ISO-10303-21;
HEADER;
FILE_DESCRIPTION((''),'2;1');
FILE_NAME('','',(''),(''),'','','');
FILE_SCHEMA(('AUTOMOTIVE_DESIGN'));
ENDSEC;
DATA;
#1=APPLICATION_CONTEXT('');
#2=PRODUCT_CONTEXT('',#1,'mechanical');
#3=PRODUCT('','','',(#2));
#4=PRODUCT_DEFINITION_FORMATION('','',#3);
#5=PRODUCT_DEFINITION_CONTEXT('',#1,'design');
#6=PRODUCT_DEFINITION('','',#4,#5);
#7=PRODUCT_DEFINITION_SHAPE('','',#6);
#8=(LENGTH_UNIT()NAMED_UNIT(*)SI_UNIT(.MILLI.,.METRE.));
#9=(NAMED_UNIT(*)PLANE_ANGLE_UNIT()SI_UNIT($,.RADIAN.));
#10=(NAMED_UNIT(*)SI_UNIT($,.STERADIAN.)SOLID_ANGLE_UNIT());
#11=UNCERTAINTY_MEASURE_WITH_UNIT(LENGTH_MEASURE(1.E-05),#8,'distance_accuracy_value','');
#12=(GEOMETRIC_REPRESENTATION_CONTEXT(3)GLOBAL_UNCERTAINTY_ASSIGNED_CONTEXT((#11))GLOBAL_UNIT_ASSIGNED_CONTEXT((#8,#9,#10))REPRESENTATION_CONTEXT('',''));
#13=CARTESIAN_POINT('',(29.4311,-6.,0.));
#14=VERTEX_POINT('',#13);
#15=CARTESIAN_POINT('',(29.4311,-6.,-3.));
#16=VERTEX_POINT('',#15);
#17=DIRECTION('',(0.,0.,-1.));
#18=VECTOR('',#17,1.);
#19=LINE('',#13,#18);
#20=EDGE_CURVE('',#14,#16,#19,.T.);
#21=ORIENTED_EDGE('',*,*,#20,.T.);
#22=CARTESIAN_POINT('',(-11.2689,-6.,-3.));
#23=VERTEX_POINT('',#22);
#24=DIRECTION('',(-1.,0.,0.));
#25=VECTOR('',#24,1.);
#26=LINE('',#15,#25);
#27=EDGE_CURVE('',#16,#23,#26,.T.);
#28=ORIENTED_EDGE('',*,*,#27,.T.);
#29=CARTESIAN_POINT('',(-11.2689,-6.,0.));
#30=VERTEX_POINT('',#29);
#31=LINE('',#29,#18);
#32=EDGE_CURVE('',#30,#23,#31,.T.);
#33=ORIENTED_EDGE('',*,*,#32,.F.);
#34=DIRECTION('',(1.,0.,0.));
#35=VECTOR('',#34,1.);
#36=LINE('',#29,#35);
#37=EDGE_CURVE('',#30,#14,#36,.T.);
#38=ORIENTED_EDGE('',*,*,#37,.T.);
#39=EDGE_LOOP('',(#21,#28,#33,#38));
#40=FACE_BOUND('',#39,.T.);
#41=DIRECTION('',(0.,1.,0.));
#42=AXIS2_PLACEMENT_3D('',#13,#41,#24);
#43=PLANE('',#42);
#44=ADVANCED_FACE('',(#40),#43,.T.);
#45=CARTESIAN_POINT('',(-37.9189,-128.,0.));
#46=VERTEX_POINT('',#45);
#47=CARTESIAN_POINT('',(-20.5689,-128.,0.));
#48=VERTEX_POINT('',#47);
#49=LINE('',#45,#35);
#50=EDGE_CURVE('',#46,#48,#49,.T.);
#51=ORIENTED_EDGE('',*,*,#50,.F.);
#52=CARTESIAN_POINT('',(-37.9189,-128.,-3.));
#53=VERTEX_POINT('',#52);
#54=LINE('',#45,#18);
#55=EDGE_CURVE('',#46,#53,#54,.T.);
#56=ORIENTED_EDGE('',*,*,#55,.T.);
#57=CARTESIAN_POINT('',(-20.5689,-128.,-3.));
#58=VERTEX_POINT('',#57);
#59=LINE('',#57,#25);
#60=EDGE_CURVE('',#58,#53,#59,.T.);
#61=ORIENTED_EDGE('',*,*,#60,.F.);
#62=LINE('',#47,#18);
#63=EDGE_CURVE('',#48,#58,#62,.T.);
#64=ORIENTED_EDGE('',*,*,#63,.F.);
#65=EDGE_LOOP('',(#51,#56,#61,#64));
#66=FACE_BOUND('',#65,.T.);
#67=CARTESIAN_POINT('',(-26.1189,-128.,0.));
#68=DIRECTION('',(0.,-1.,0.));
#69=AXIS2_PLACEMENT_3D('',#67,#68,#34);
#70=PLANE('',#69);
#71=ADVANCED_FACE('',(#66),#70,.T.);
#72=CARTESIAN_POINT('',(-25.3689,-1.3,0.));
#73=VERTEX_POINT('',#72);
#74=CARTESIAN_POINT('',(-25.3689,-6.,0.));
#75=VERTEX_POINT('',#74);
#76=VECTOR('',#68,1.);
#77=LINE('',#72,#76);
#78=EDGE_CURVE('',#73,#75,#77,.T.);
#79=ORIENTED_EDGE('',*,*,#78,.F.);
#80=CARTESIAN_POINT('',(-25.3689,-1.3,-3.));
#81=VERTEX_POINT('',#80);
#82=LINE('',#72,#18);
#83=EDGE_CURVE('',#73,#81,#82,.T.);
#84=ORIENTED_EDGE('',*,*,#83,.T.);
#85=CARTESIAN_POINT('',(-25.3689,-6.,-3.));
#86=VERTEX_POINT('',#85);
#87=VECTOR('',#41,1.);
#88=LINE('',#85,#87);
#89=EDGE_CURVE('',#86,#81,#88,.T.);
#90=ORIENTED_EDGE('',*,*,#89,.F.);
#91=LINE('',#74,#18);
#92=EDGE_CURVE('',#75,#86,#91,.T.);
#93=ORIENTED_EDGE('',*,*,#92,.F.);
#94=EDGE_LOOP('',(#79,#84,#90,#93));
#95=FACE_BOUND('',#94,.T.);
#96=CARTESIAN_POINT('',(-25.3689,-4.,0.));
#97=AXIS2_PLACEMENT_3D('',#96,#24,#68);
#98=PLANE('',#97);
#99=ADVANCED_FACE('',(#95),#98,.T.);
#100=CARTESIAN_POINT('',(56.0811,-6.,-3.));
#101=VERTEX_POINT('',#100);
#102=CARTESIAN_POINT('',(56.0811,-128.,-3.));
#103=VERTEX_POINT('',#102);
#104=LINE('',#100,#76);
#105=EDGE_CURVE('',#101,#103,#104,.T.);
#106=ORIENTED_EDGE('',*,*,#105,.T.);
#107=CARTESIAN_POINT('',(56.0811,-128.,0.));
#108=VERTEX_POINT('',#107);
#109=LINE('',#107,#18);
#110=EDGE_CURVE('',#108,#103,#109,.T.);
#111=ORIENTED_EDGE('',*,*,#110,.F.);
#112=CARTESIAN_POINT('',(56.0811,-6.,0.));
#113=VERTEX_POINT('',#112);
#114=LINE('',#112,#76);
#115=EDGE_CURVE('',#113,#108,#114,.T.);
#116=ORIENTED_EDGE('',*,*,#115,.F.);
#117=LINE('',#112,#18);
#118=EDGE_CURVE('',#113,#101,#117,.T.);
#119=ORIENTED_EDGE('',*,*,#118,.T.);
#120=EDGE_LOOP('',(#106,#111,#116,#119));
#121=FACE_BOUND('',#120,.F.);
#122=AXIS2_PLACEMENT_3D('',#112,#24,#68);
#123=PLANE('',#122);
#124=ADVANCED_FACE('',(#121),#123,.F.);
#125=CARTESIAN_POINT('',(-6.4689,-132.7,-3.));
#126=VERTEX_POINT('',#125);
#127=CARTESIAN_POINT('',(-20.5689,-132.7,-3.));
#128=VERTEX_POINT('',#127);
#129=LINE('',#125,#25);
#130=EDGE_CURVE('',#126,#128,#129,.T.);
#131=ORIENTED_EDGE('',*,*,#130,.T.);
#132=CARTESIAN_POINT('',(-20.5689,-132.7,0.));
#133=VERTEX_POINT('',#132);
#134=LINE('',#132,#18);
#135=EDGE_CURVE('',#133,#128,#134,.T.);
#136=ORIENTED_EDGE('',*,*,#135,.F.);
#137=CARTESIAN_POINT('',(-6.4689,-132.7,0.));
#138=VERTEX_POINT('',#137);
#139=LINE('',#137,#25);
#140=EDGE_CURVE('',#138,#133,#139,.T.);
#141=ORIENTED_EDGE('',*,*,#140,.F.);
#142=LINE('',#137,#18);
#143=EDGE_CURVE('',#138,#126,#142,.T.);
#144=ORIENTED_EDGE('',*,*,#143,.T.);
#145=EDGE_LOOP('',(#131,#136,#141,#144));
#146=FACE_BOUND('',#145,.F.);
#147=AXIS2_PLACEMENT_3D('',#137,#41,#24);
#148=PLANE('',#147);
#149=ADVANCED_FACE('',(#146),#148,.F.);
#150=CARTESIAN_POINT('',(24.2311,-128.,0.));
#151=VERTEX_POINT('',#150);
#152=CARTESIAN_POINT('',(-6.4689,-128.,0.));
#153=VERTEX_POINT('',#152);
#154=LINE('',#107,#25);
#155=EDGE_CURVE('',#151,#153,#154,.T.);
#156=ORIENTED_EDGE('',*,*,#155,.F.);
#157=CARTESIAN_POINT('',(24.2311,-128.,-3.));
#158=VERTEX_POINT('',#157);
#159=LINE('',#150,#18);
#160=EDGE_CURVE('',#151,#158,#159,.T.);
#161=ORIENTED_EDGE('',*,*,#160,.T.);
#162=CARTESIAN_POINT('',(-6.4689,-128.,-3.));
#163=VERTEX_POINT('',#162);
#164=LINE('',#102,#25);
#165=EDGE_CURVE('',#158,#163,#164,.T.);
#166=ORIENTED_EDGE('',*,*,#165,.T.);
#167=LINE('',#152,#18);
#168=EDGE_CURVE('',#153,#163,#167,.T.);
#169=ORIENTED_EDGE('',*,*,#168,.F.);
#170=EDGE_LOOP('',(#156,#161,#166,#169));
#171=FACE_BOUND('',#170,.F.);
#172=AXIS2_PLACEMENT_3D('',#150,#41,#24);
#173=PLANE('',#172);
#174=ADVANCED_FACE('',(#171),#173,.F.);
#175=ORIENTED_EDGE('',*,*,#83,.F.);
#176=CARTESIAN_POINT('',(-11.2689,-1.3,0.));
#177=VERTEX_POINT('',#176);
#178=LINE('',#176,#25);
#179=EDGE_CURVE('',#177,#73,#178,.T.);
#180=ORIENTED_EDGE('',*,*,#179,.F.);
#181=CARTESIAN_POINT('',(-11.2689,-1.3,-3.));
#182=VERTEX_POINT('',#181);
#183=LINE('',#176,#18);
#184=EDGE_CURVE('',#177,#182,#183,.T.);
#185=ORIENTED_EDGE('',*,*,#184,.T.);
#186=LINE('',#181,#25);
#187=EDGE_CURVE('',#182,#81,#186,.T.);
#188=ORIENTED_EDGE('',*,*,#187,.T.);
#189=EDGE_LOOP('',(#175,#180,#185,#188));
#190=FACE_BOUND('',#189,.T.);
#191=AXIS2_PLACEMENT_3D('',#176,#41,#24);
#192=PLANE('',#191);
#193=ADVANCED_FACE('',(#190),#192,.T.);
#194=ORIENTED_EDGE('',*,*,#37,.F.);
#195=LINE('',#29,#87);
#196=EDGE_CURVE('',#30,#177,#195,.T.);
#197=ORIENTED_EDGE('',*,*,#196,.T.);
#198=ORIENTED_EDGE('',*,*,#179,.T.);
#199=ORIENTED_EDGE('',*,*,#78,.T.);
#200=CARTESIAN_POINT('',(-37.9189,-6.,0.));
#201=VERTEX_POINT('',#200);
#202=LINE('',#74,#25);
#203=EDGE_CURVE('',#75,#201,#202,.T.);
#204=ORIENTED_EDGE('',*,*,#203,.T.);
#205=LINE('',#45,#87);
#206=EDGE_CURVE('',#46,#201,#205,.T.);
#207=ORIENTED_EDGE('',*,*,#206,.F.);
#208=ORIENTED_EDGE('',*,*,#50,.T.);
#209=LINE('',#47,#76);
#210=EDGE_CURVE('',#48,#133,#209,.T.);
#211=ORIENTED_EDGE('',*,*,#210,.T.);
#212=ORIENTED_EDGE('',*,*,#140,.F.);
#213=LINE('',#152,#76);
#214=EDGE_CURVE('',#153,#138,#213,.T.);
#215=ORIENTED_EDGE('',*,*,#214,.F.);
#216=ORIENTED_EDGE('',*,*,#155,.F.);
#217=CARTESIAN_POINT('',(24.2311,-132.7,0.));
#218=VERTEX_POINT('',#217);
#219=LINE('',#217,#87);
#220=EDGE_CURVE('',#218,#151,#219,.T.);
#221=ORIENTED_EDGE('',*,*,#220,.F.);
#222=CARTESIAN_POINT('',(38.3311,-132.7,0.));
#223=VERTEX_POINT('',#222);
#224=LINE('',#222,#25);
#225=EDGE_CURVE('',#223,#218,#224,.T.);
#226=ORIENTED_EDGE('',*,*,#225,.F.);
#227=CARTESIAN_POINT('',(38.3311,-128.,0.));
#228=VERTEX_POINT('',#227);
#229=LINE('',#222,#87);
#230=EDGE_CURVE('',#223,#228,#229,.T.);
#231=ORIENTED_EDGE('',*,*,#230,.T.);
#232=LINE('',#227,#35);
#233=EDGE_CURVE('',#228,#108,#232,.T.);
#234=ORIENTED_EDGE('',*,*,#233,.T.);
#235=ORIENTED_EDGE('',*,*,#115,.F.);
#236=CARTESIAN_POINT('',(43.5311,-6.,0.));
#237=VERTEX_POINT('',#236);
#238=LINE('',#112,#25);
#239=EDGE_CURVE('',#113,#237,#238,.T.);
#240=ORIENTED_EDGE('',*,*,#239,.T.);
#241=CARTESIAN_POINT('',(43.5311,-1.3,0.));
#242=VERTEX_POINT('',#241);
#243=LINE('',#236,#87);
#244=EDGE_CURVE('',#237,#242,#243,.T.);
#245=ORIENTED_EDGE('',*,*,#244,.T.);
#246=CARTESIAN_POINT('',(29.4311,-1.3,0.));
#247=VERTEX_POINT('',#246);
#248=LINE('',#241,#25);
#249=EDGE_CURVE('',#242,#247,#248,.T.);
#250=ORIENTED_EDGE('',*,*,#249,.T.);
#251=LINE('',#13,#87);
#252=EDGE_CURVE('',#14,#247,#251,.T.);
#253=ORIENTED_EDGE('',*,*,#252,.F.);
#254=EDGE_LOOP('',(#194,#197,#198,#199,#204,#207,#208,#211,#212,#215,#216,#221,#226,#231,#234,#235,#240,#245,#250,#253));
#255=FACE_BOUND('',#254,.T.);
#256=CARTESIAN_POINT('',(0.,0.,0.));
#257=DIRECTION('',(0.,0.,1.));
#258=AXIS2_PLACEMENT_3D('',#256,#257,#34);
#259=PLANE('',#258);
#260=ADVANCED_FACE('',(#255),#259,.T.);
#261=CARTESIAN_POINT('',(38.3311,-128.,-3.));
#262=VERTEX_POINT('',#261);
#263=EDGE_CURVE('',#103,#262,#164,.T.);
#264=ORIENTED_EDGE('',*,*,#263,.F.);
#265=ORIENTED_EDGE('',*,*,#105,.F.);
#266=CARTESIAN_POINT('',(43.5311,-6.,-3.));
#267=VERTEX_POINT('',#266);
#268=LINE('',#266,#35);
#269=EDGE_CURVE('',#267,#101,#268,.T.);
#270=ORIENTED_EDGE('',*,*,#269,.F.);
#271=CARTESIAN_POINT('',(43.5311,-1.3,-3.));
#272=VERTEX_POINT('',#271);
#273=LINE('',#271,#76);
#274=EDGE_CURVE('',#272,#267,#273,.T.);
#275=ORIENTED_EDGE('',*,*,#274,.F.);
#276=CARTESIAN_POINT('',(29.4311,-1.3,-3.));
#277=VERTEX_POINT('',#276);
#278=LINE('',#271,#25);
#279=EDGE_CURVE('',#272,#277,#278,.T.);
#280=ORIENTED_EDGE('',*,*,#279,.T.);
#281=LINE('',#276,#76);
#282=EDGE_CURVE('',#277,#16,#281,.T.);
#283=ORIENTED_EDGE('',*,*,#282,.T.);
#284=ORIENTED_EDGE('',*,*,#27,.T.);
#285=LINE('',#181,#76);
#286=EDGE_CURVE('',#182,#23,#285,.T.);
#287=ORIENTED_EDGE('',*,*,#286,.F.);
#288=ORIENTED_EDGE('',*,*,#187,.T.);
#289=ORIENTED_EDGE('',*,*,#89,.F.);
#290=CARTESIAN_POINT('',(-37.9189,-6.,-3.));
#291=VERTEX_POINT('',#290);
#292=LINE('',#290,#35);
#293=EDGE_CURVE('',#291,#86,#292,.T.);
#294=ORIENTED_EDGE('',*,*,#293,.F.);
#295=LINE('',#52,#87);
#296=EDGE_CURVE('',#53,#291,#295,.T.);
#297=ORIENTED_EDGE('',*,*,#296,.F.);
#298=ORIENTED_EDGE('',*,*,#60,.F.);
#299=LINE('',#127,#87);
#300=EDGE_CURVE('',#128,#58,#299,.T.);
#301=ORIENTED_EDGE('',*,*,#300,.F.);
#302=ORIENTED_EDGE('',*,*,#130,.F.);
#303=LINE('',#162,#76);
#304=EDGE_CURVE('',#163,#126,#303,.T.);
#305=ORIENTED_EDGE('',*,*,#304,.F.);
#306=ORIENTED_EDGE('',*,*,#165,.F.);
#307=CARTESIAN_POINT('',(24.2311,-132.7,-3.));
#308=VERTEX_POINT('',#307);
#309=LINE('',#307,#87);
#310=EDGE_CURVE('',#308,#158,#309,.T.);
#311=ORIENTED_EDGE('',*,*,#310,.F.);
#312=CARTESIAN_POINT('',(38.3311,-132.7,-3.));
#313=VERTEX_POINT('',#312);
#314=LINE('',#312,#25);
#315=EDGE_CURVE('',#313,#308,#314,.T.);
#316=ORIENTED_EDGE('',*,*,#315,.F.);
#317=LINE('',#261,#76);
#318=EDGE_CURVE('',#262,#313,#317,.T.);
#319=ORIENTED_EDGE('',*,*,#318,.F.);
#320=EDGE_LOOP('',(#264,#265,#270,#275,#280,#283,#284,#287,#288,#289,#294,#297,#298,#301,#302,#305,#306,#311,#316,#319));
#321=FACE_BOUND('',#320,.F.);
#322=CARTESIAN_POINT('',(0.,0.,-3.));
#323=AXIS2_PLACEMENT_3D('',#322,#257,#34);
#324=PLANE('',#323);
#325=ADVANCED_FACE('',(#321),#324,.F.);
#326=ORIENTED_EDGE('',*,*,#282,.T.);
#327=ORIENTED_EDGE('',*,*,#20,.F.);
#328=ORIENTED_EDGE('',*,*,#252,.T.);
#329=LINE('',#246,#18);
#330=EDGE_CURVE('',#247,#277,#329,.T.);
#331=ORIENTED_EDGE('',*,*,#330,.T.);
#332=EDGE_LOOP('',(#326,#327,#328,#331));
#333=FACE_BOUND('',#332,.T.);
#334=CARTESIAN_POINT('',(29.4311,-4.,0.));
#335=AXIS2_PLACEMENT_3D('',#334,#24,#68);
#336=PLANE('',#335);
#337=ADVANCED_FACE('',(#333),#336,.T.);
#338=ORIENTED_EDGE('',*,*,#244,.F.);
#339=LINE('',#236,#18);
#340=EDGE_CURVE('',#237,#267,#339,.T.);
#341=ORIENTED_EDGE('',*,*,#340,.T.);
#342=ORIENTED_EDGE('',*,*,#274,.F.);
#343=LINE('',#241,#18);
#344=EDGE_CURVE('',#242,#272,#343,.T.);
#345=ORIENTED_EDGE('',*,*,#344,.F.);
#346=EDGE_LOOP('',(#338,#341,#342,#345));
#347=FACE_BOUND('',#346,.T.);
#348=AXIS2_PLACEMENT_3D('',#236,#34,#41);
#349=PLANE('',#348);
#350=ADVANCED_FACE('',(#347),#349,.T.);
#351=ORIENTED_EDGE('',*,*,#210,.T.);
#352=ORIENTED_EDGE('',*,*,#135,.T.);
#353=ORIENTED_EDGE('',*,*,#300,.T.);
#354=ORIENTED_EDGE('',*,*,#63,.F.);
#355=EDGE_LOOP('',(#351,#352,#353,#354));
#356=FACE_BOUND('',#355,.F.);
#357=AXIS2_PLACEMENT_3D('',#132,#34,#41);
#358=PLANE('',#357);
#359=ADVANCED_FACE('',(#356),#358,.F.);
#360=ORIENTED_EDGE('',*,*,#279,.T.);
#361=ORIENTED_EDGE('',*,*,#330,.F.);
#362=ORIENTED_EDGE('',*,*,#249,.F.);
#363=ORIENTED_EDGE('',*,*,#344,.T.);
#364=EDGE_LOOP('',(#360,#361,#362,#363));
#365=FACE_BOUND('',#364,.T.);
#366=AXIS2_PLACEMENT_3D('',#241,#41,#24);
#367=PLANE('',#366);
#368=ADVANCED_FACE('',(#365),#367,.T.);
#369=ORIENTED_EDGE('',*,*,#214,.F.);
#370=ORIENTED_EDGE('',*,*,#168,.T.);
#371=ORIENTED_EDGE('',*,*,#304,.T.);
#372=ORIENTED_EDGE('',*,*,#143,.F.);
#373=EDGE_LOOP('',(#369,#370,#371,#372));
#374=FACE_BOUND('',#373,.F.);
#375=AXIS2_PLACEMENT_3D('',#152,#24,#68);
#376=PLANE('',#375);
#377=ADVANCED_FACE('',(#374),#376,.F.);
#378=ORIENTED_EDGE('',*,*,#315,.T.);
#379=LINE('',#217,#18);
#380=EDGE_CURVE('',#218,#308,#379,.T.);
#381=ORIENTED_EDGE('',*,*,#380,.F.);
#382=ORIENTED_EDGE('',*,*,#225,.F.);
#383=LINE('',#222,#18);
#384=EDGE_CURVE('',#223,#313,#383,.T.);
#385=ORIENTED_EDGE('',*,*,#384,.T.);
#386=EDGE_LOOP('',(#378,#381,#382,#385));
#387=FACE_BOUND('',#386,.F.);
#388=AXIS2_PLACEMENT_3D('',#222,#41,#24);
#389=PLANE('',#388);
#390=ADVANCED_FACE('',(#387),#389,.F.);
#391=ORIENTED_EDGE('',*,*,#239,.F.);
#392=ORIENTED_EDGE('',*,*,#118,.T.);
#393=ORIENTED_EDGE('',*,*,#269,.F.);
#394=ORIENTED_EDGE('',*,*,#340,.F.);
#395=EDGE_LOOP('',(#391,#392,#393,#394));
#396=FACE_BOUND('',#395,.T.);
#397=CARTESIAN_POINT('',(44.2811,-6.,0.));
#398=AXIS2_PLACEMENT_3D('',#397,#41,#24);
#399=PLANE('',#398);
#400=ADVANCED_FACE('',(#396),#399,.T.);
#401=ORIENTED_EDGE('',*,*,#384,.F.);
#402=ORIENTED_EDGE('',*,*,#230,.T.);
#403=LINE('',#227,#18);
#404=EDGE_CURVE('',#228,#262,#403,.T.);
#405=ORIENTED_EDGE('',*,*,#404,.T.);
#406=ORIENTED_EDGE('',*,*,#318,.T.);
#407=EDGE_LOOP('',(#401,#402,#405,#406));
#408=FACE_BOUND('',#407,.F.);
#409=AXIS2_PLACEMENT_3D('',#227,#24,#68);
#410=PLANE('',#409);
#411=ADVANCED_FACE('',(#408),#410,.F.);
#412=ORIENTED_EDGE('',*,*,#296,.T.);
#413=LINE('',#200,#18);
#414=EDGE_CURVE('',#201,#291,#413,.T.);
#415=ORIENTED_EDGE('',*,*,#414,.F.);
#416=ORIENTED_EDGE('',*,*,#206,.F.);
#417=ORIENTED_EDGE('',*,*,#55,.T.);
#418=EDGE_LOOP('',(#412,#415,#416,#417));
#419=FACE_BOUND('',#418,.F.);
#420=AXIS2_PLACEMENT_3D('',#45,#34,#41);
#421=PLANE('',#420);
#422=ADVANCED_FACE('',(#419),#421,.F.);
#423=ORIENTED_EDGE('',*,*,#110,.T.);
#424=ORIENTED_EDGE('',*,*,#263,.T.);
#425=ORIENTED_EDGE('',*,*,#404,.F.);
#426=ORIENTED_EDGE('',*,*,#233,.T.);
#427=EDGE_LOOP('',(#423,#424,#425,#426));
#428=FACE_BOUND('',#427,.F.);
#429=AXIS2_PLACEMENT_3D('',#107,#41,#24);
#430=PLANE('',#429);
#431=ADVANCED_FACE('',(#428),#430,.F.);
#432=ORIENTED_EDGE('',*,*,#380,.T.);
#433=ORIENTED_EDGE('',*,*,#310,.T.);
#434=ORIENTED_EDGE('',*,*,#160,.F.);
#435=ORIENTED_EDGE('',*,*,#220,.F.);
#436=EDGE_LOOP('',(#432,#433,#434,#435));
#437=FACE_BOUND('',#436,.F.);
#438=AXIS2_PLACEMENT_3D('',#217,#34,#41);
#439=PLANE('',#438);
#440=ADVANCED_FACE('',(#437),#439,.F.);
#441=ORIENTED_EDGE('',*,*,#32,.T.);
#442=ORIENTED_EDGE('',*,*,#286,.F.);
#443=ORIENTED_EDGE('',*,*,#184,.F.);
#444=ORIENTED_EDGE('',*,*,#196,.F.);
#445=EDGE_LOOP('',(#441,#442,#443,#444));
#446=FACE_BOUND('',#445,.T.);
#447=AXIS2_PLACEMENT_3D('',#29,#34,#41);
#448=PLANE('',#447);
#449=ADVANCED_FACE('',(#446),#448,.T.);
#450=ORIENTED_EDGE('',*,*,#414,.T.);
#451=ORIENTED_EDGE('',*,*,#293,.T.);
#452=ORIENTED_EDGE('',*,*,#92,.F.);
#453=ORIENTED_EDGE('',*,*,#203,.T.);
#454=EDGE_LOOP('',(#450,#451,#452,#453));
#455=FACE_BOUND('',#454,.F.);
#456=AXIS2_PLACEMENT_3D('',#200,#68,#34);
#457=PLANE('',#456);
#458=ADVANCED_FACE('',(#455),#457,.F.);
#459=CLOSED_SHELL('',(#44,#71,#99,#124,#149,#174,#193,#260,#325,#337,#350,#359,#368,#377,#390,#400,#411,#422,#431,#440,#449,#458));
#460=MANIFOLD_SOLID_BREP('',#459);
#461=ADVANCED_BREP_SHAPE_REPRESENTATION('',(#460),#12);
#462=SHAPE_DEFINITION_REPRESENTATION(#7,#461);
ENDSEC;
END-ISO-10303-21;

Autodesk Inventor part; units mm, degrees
ref_plane "YZ Plane" through (0, 0, 0) normal (1, 0, 0) x (0, 1, 0)
ref_plane "XZ Plane" through (0, 0, 0) normal (0, 1, 0) x (-1, 0, 0)
ref_plane "XY Plane" through (0, 0, 0) normal (0, 0, 1) x (1, 0, 0)
sketch "NewProfile" plane through (0, 0, 0) normal (0, 0, 1) x (1, 0, 0)
  line L0 (28.6811, -6) -> (28.8811, -4) projected
  line L1 (44.2811, -6) -> (28.6811, -6) projected
  line L2 (44.0811, -4) -> (44.2811, -6) projected
  line L3 (28.8811, -4) -> (44.0811, -4) projected
  line L4 (-10.7189, -4) -> (-10.5189, -6) projected
  line L5 (-25.9189, -4) -> (-10.7189, -4) projected
  line L6 (-26.1189, -6) -> (-25.9189, -4) projected
  line L7 (-10.5189, -6) -> (-26.1189, -6) projected
  line L8 (44.2811, -128) -> (44.0811, -130) projected
  line L9 (28.6811, -128) -> (44.2811, -128) projected
  line L10 (28.8811, -130) -> (28.6811, -128) projected
  line L11 (44.0811, -130) -> (28.8811, -130) projected
  line L12 (-26.1189, -128) -> (-25.9189, -130) projected
  line L13 (-10.7189, -130) -> (-25.9189, -130) projected
  line L14 (-10.5189, -128) -> (-10.7189, -130) projected
  line L15 (-26.1189, -128) -> (-10.5189, -128) projected
  line L16 (-37.9189, -6) -> (56.0811, -6)
  line L17 (56.0811, -6) -> (56.0811, -128)
  line L18 (56.0811, -128) -> (-37.9189, -128)
  line L19 (-37.9189, -128) -> (-37.9189, -6)
  line L20 (-25.3689, -6) -> (-11.2689, -6)
  line L21 (-11.2689, -6) -> (-11.2689, -1.3)
  line L22 (-11.2689, -1.3) -> (-25.3689, -1.3)
  line L23 (-25.3689, -1.3) -> (-25.3689, -6)
  line L24 (29.4311, -6) -> (43.5311, -6)
  line L25 (43.5311, -6) -> (43.5311, -1.3)
  line L26 (43.5311, -1.3) -> (29.4311, -1.3)
  line L27 (29.4311, -1.3) -> (29.4311, -6)
  line L28 (-26.1189, -128) -> (-26.1189, -6) construction
  line L29 (-21.1189, -128) -> (-20.9189, -130) construction
  line L30 (-5.7189, -130) -> (-20.9189, -130) construction
  line L31 (-5.7189, -130) -> (-5.5189, -128) construction
  line L32 (-21.1189, -128) -> (-5.5189, -128) construction
  line L33 (39.0811, -130) -> (39.2811, -128) construction
  line L34 (23.6811, -128) -> (39.2811, -128) construction
  line L35 (23.8811, -130) -> (23.6811, -128) construction
  line L36 (39.0811, -130) -> (23.8811, -130) construction
  line L37 (-21.1189, -128) -> (-21.1189, -6) construction
  line L38 (-21.1189, -128) -> (100.8811, -128) construction
  line L39 (-10.5189, -128) -> (-10.5189, -6) construction
  line L40 (-10.5189, -128) -> (111.4811, -128) construction
  line L41 (-5.5189, -128) -> (-5.5189, -6) construction
  line L42 (-5.5189, -128) -> (116.4811, -128) construction
  line L43 (23.6811, -128) -> (23.6811, -6) construction
  line L44 (28.6811, -128) -> (28.6811, -6) construction
  line L45 (39.2811, -128) -> (39.2811, -6) construction
  line L46 (44.2811, -128) -> (44.2811, -6) construction
  line L47 (-5.5189, -6) -> (-5.7189, -4) construction
  line L48 (-20.9189, -4) -> (-5.7189, -4) construction
  line L49 (-20.9189, -4) -> (-21.1189, -6) construction
  line L50 (-5.5189, -6) -> (-21.1189, -6) construction
  line L51 (39.2811, -6) -> (39.0811, -4) construction
  line L52 (23.8811, -4) -> (39.0811, -4) construction
  line L53 (23.8811, -4) -> (23.6811, -6) construction
  line L54 (39.2811, -6) -> (23.6811, -6) construction
  line L55 (-20.5689, -128) -> (-6.4689, -128)
  line L56 (-6.4689, -128) -> (-6.4689, -132.7)
  line L57 (-6.4689, -132.7) -> (-20.5689, -132.7)
  line L58 (-20.5689, -132.7) -> (-20.5689, -128)
  line L59 (24.2311, -128) -> (38.3311, -128)
  line L60 (38.3311, -128) -> (38.3311, -132.7)
  line L61 (38.3311, -132.7) -> (24.2311, -132.7)
  line L62 (24.2311, -132.7) -> (24.2311, -128)
  point P0 (0, 0)
  dimension "d0" = 94
  dimension "d1" = 122
  dimension "d2" = 11.8
  dimension "d3" = 11.8
  dimension "d4" = 14.1
  dimension "d5" = 4.7
  dimension "d6" = 14.1
  dimension "d7" = 4.7
  dimension "d21" = 0.55
  dimension "d23" = 15.2
  dimension "d24" = 15.2
  dimension "d25" = 0.55
  dimension "d26" = 14.1
  dimension "d27" = 4.7
  dimension "d28" = 14.1
  dimension "d29" = 4.7
  dimension "d30" = 15.2
  dimension "d31" = 0.55
  dimension "d32" = 0.55
  dimension "d33" = 15.2
extrude "Extrusion1" add sketch "NewProfile" against normal blind 3 contours L1 L16 L17 L18 L9 L15 L19 L7 | L27 L3 L25 L1 | L27 L26 L25 L3 | L7 L23 L5 L21 | L5 L23 L22 L21 | L60 L11 L10 L9 | L60 L61 L62 L18 L10 L11 | L15 L14 L13 L58 | L13 L14 L18 L56 L57 L58
equation "\"d21\" = -0.5 * d4 + 0.5 * d23"
equation "\"d25\" = -0.5 * d6 + 0.5 * d24"
equation "\"d31\" = -0.5 * d26 + 0.5 * d30"
equation "\"d32\" = -0.5 * d28 + 0.5 * d33"
properties part number "SideWall_new"
